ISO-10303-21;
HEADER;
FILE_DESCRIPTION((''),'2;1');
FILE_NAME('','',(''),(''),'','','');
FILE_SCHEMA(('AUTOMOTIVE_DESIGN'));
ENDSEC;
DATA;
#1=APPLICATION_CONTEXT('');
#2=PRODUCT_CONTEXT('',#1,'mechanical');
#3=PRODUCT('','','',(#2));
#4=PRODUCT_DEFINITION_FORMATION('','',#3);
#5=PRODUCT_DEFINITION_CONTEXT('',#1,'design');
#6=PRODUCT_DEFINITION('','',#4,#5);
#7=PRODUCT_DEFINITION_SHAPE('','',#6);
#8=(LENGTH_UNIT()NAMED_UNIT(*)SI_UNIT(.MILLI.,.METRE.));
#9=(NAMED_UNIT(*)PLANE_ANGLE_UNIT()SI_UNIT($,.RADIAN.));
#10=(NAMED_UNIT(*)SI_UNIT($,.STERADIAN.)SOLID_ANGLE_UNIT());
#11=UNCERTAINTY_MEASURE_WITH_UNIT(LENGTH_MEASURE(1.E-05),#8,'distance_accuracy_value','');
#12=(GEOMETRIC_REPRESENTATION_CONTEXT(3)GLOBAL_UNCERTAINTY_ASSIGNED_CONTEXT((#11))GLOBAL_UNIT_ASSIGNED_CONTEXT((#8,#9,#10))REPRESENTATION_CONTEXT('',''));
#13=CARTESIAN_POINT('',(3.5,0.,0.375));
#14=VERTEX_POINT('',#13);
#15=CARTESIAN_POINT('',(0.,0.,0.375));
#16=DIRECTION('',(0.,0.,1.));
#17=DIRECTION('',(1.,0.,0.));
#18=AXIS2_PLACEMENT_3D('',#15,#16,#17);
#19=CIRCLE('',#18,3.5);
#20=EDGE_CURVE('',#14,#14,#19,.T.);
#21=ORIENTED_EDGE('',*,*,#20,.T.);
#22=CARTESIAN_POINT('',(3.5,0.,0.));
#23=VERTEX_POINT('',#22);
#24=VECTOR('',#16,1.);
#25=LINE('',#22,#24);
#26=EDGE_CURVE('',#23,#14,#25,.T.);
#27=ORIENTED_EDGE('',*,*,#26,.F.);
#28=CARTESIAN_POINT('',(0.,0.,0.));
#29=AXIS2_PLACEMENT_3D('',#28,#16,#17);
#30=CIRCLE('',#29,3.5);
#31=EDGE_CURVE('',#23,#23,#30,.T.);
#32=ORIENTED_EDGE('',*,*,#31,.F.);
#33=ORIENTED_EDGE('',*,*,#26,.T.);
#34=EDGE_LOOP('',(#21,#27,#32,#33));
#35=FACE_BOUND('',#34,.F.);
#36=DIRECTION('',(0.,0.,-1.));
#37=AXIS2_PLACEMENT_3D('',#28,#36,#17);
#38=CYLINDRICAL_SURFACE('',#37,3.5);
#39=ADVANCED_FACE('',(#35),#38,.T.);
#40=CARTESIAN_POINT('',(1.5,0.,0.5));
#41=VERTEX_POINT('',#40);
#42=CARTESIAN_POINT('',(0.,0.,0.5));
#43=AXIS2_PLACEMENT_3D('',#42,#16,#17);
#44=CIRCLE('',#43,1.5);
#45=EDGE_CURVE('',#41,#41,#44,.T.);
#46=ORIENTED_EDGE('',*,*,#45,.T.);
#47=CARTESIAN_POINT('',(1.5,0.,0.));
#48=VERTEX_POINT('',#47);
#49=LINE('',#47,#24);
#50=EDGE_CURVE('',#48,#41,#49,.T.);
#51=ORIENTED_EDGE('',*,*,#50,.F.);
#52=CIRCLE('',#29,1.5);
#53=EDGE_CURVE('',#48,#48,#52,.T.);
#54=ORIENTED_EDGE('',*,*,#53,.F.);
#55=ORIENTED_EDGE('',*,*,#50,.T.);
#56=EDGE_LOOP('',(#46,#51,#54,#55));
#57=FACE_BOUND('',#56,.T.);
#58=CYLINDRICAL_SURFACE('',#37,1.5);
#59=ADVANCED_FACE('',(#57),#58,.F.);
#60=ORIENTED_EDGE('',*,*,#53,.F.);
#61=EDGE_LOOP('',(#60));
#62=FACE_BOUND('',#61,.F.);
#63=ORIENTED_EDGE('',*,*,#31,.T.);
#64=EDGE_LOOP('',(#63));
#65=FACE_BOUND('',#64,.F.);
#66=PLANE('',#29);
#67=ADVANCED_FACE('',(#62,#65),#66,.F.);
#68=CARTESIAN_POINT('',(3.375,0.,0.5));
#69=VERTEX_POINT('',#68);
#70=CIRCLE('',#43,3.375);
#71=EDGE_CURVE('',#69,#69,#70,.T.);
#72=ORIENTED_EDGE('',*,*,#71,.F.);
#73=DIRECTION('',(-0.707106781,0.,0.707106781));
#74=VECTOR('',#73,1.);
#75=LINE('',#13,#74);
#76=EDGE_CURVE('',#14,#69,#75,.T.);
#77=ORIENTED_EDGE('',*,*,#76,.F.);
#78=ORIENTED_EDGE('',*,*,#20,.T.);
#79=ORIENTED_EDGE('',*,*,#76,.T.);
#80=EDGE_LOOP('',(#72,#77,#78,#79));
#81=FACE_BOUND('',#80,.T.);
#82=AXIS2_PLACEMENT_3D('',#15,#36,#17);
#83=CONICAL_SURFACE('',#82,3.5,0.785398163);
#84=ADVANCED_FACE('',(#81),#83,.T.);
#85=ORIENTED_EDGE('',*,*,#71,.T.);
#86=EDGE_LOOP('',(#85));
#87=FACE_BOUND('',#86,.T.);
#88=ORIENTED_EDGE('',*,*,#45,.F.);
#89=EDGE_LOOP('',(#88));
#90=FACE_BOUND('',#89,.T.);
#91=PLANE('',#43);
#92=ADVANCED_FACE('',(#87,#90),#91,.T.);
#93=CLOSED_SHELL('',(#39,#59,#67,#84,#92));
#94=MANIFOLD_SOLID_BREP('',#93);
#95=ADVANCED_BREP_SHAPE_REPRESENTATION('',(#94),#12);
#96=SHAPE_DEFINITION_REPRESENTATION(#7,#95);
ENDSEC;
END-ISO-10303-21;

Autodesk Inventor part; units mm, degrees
ref_plane "YZ Plane" through (0, 0, 0) normal (1, 0, 0) x (0, 1, 0)
ref_plane "XZ Plane" through (0, 0, 0) normal (0, 1, 0) x (-1, 0, 0)
ref_plane "XY Plane" through (0, 0, 0) normal (0, 0, 1) x (1, 0, 0)
sketch "Sketch3" plane through (0, 0, 0) normal (0, 0, 1) x (1, 0, 0)
  circle A0 centre (0, 0) radius 1.5
  circle A1 centre (0, 0) radius 3.5
  dimension "d1" = 3
  dimension "d2" = 7
extrude "Extrusion2" add sketch "Sketch3" along normal blind 0.5
chamfer "Chamfer2" distance 0.125 angle 45 1 edges at (-3.5, 0, 0.5)
equation "\"d8\" = 0.25 * h"
equation "\"d9\" = 0.25 * h"
equation "\"h\" = 0.5"
properties part number "arandela m3" material "140 HV"
